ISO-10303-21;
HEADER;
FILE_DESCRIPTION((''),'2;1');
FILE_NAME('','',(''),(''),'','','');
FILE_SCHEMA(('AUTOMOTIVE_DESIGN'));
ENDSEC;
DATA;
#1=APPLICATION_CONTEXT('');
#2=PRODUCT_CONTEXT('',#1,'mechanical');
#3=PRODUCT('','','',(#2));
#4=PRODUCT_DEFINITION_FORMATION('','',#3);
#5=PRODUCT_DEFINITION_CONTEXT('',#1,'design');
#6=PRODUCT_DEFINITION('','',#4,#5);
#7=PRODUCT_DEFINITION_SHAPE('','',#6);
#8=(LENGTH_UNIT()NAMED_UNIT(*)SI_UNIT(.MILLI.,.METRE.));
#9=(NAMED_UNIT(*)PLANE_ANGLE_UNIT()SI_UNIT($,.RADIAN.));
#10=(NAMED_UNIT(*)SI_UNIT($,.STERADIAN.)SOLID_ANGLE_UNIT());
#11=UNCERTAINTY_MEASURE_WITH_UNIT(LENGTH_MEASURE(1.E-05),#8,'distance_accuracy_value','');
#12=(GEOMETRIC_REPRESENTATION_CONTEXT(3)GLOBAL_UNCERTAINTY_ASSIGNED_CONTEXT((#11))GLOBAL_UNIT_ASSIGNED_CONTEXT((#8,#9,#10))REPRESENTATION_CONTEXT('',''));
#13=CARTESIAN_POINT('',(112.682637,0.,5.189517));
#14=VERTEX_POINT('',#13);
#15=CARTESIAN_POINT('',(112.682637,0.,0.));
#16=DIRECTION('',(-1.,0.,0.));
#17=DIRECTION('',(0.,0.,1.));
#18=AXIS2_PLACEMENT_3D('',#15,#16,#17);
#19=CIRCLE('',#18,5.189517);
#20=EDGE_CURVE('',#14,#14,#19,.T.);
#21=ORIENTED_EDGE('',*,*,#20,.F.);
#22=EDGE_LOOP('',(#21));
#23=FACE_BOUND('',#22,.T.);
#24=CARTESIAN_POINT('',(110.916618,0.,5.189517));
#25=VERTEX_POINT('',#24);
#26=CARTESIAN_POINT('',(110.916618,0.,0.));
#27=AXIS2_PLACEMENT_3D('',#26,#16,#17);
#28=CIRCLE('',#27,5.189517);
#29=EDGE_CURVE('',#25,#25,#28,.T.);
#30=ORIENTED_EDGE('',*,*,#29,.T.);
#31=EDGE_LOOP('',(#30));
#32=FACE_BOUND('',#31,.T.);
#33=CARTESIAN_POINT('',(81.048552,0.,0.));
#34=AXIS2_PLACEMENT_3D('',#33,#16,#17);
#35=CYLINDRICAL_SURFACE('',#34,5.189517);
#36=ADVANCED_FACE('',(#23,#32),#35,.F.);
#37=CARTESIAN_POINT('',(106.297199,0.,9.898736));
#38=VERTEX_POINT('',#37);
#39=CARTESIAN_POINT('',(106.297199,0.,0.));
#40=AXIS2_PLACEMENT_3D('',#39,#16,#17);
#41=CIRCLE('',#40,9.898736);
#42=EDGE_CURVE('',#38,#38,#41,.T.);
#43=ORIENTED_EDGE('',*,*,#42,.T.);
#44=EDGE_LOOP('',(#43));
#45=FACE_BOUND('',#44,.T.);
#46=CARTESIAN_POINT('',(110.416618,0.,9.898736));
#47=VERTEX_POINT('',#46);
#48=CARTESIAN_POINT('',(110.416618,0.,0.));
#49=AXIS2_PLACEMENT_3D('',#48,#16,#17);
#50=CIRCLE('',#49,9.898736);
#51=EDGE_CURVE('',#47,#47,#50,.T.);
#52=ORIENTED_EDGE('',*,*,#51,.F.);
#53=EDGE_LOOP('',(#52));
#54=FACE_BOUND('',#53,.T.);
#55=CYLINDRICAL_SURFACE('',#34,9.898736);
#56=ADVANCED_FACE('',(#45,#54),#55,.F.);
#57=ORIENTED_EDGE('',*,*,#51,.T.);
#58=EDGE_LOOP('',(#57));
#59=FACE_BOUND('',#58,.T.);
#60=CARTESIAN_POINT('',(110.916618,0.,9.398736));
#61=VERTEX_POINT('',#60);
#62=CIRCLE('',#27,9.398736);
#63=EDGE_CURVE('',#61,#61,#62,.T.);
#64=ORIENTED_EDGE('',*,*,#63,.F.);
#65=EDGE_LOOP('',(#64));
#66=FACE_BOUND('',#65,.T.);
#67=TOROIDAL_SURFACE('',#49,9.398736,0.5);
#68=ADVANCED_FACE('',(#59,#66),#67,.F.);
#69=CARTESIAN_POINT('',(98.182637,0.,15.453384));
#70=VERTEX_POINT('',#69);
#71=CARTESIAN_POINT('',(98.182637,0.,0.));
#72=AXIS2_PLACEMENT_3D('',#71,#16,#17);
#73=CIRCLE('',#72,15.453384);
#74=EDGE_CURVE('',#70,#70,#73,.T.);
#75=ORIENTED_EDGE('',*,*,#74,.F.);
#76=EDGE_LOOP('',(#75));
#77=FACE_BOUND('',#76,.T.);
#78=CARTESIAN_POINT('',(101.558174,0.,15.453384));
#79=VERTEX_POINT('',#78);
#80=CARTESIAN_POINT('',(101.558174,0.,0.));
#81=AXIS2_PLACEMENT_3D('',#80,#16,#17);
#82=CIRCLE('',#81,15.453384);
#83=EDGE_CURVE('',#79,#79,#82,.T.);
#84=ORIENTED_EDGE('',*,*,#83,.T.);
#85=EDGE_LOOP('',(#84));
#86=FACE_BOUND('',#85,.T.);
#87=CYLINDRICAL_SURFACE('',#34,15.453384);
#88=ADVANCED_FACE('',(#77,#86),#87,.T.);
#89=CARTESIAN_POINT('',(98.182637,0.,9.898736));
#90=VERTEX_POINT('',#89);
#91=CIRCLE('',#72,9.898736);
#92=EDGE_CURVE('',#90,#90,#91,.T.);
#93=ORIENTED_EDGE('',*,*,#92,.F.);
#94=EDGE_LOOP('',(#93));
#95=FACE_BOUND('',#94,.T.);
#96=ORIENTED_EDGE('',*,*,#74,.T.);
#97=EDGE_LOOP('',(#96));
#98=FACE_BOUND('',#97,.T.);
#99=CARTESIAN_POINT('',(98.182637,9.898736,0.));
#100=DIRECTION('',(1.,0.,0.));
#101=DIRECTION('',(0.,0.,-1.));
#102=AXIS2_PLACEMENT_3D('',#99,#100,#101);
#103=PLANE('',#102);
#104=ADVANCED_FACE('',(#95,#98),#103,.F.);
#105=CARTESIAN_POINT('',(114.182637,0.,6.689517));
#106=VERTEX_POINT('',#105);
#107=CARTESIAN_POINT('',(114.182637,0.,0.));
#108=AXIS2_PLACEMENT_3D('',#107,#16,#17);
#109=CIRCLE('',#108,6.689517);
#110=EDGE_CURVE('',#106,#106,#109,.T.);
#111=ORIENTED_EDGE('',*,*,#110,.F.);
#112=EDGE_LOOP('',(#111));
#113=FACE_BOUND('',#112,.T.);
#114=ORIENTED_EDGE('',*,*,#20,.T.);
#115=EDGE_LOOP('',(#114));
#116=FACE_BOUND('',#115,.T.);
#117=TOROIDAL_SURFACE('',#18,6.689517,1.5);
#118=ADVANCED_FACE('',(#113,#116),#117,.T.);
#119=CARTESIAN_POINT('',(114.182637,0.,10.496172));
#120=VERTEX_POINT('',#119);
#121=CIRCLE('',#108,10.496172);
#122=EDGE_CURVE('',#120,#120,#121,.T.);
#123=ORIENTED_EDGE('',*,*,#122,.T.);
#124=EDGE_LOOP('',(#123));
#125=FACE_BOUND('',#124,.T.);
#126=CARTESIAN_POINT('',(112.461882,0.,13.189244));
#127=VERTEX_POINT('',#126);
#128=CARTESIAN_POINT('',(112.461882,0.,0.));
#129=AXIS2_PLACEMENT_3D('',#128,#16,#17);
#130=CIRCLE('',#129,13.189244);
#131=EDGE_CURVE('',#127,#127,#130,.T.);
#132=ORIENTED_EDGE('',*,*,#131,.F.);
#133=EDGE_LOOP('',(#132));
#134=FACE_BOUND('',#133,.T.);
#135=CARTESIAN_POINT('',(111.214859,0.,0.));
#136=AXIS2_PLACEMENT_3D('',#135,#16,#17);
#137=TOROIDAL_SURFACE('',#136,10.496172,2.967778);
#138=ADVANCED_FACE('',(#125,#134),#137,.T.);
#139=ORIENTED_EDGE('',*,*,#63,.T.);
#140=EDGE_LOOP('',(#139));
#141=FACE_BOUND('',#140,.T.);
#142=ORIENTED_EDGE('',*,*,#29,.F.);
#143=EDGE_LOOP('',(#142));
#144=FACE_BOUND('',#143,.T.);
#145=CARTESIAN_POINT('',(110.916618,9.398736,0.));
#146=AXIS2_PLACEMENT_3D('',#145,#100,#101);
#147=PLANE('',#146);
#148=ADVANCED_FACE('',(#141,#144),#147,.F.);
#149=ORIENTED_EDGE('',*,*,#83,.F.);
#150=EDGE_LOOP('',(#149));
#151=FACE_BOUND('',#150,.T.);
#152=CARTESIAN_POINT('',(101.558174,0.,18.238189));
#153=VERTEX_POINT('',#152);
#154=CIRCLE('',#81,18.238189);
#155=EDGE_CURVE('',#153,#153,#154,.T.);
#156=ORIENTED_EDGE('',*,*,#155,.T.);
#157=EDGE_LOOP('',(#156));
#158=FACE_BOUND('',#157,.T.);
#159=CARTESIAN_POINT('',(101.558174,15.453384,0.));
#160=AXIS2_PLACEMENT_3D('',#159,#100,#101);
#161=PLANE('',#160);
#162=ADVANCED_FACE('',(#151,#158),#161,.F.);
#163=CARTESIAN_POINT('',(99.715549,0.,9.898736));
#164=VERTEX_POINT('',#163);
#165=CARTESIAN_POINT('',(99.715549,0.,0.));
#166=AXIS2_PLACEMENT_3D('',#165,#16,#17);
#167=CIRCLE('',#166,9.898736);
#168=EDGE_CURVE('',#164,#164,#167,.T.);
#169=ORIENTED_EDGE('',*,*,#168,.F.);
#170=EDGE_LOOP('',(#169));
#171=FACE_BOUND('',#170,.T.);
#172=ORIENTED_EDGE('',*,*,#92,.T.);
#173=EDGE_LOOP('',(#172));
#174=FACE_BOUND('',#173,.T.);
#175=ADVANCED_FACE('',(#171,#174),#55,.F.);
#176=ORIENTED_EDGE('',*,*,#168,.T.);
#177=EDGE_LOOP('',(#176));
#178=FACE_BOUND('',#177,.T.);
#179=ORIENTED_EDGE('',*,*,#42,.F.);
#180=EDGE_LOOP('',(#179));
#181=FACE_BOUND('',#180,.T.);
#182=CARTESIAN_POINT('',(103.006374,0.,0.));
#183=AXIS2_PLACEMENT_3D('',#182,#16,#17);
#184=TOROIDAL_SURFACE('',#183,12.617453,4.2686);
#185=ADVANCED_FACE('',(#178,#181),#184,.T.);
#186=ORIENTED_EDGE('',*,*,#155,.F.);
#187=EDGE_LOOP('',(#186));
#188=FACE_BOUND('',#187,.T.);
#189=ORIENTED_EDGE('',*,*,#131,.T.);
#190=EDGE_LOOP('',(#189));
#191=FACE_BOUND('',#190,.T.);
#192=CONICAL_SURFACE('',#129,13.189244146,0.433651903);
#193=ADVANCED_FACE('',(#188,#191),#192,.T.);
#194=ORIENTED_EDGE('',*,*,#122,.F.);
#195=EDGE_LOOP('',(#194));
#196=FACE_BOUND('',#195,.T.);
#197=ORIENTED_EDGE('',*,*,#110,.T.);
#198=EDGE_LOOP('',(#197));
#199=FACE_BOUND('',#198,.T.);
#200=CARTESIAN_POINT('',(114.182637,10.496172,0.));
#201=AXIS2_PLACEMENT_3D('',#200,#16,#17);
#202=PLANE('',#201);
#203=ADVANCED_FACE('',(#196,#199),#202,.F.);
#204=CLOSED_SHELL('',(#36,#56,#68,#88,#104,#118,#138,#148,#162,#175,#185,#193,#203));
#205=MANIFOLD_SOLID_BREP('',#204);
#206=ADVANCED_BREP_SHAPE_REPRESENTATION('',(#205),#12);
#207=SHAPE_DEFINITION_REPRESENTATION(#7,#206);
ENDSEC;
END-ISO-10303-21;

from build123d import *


with BuildPart() as part:
    # Esquisse1 → Révolution1 (revolve)
    with BuildSketch(Plane.XY, mode=Mode.PRIVATE) as r_volution1_sk:
        with BuildLine():
            Line((98.182636899, 9.898736356), (98.182636899, 15.453384419))
            Line((98.182636899, 15.453384419), (101.558174274, 15.453384419))
            Line((101.558174274, 15.453384419), (101.558174274, 18.238189454))
            Line((101.558174274, 18.238189454), (112.461882094, 13.189244146))
            ThreePointArc((112.461882094, 13.189244146), (113.715718176, 12.094110728), (114.182636899, 10.496171735))
            Line((114.182636899, 10.496171735), (114.182636899, 6.689516504))
            ThreePointArc((114.182636899, 6.689516504), (113.743297071, 5.628856332), (112.682636899, 5.189516504))
            Line((112.682636899, 5.189516504), (110.916617784, 5.189516504))
            Line((110.916617784, 5.189516504), (110.916617784, 9.398736356))
            ThreePointArc((110.916617784, 9.398736356), (110.770171174, 9.752289746), (110.416617784, 9.898736356))
            Line((110.416617784, 9.898736356), (106.29719914, 9.898736356))
            ThreePointArc((106.29719914, 9.898736356), (103.00637414, 8.348852557), (99.715549141, 9.898736356))
            Line((99.715549141, 9.898736356), (98.182636899, 9.898736356))
        make_face()
    revolve(r_volution1_sk.sketch.rotate(Axis((81.048552149, 0, 0), (1, 0, 0)), 90), axis=Axis((81.048552149, 0, 0), (1, 0, 0)))


solid = part.part
